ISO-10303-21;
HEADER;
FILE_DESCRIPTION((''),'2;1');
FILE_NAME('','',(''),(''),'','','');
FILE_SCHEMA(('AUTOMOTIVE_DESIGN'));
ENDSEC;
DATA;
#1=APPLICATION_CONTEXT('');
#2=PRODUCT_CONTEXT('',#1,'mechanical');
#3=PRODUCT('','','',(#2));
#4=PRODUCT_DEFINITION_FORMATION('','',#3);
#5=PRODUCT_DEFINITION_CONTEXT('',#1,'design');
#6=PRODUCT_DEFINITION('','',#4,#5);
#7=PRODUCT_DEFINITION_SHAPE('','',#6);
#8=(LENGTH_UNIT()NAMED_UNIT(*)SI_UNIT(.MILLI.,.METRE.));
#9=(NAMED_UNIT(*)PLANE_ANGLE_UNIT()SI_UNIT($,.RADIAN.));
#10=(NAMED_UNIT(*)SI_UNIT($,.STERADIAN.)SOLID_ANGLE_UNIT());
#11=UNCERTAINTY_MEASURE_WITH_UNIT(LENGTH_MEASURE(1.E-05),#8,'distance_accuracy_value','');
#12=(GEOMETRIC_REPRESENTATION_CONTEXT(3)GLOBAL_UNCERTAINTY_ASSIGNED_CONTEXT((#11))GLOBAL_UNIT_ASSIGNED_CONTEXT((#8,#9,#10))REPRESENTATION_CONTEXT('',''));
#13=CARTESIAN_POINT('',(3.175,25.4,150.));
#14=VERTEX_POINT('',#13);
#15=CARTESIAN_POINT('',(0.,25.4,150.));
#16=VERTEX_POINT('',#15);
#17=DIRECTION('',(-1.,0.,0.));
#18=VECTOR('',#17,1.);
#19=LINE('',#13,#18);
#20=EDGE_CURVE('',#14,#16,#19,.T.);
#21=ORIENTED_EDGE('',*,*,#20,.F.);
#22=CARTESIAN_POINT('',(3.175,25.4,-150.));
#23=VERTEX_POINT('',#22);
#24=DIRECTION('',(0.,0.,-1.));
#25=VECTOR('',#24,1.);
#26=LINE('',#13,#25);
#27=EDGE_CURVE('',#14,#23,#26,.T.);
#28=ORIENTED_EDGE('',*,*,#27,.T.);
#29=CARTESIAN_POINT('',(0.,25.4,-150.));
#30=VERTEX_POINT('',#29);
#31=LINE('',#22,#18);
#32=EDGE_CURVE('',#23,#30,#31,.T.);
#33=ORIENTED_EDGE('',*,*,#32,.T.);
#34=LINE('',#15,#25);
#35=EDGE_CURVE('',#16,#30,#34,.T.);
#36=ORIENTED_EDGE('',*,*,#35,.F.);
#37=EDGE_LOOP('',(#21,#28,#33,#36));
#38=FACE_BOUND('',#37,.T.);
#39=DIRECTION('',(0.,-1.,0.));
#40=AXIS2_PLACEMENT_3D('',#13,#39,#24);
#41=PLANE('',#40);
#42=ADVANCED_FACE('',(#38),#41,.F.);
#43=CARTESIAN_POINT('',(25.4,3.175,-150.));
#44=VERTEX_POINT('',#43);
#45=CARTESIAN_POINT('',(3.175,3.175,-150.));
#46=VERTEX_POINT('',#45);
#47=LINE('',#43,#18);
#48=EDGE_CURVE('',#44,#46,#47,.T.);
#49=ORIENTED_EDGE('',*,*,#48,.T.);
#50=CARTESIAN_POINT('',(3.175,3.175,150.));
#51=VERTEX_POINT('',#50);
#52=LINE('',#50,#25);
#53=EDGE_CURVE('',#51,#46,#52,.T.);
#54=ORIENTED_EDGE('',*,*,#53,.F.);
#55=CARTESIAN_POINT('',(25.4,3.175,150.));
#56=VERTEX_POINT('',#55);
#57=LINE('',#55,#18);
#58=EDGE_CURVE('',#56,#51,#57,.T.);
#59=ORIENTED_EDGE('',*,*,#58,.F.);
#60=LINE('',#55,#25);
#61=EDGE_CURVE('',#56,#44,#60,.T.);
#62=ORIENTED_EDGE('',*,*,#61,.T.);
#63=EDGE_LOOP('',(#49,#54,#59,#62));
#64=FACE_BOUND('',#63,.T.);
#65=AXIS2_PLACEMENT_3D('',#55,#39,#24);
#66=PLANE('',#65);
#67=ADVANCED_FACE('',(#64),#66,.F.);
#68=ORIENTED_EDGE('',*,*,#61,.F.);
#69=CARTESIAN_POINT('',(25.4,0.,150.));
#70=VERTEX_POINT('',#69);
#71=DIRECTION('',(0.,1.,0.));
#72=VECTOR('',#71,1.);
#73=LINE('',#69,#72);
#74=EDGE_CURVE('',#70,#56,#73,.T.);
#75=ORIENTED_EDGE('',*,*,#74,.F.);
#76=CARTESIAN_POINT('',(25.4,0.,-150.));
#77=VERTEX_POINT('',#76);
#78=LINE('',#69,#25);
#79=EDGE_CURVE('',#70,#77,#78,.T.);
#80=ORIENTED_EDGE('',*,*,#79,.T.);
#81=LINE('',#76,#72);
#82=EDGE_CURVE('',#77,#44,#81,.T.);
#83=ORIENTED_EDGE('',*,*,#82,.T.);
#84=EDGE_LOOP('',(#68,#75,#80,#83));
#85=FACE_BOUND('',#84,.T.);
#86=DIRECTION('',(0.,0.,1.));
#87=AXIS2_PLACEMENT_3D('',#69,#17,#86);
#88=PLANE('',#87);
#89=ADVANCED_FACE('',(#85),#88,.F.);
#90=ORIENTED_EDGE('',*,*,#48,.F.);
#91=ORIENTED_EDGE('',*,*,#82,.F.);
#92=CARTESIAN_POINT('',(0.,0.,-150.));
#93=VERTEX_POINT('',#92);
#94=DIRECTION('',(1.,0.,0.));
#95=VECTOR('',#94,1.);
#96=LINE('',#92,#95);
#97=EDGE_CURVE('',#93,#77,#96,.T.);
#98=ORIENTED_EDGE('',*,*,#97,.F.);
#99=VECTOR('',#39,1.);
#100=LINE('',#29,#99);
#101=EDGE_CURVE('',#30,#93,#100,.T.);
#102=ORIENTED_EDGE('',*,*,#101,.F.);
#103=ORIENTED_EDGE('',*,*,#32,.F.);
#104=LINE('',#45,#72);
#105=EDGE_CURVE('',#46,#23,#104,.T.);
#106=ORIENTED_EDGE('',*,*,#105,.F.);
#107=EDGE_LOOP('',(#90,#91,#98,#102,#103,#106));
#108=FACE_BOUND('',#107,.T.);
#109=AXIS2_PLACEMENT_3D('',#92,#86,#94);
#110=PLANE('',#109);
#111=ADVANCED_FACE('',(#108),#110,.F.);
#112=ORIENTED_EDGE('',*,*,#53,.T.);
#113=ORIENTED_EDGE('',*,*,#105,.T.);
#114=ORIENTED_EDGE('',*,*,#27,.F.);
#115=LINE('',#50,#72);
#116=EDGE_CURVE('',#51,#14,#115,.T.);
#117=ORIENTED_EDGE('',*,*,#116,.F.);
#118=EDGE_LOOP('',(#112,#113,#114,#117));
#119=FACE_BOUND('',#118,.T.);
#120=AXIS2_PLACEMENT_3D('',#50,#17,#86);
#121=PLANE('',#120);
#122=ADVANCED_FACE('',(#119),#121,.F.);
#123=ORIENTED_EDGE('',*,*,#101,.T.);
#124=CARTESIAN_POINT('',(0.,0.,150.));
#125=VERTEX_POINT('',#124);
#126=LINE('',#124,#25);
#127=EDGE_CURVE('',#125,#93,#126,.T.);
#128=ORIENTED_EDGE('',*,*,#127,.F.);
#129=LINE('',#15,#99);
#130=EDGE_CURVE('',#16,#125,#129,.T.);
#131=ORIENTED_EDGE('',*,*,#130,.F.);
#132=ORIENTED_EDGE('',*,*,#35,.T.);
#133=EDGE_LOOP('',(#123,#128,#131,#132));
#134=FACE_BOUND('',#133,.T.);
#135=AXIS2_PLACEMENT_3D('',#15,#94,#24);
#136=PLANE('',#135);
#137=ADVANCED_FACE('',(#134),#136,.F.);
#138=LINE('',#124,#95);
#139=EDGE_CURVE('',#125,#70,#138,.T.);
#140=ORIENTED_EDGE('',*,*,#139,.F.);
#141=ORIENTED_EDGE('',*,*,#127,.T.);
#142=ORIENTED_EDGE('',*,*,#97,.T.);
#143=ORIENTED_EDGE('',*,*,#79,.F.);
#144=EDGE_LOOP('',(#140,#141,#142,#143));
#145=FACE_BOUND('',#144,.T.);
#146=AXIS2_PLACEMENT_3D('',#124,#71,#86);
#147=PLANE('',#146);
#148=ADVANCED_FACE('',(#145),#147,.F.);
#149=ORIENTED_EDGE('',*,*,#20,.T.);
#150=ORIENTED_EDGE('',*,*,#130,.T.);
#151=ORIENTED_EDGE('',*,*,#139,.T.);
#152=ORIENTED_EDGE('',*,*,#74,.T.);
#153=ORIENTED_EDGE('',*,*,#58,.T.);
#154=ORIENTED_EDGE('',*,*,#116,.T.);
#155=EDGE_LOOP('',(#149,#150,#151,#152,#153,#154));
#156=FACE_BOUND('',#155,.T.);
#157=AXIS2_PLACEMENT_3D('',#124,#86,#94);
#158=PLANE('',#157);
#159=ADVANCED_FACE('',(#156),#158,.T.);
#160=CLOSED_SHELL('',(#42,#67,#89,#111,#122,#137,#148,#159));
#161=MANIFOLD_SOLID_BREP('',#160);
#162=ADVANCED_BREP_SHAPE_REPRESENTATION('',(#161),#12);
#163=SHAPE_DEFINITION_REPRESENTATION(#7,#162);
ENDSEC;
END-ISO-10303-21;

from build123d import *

# Parameters (mm, degrees)
BOSS_EXTRUDE1_DEPTH = 150


with BuildPart() as part:
    # Sketch1 → Boss-Extrude1 (new body, symmetric)
    with BuildSketch(Plane.XY):
        Polygon((0, 25.4), (0, 0), (25.4, 0), (25.4, 3.175), (3.175, 3.175), (3.175, 25.4), align=None)
    extrude(amount=BOSS_EXTRUDE1_DEPTH, both=True)


solid = part.part
